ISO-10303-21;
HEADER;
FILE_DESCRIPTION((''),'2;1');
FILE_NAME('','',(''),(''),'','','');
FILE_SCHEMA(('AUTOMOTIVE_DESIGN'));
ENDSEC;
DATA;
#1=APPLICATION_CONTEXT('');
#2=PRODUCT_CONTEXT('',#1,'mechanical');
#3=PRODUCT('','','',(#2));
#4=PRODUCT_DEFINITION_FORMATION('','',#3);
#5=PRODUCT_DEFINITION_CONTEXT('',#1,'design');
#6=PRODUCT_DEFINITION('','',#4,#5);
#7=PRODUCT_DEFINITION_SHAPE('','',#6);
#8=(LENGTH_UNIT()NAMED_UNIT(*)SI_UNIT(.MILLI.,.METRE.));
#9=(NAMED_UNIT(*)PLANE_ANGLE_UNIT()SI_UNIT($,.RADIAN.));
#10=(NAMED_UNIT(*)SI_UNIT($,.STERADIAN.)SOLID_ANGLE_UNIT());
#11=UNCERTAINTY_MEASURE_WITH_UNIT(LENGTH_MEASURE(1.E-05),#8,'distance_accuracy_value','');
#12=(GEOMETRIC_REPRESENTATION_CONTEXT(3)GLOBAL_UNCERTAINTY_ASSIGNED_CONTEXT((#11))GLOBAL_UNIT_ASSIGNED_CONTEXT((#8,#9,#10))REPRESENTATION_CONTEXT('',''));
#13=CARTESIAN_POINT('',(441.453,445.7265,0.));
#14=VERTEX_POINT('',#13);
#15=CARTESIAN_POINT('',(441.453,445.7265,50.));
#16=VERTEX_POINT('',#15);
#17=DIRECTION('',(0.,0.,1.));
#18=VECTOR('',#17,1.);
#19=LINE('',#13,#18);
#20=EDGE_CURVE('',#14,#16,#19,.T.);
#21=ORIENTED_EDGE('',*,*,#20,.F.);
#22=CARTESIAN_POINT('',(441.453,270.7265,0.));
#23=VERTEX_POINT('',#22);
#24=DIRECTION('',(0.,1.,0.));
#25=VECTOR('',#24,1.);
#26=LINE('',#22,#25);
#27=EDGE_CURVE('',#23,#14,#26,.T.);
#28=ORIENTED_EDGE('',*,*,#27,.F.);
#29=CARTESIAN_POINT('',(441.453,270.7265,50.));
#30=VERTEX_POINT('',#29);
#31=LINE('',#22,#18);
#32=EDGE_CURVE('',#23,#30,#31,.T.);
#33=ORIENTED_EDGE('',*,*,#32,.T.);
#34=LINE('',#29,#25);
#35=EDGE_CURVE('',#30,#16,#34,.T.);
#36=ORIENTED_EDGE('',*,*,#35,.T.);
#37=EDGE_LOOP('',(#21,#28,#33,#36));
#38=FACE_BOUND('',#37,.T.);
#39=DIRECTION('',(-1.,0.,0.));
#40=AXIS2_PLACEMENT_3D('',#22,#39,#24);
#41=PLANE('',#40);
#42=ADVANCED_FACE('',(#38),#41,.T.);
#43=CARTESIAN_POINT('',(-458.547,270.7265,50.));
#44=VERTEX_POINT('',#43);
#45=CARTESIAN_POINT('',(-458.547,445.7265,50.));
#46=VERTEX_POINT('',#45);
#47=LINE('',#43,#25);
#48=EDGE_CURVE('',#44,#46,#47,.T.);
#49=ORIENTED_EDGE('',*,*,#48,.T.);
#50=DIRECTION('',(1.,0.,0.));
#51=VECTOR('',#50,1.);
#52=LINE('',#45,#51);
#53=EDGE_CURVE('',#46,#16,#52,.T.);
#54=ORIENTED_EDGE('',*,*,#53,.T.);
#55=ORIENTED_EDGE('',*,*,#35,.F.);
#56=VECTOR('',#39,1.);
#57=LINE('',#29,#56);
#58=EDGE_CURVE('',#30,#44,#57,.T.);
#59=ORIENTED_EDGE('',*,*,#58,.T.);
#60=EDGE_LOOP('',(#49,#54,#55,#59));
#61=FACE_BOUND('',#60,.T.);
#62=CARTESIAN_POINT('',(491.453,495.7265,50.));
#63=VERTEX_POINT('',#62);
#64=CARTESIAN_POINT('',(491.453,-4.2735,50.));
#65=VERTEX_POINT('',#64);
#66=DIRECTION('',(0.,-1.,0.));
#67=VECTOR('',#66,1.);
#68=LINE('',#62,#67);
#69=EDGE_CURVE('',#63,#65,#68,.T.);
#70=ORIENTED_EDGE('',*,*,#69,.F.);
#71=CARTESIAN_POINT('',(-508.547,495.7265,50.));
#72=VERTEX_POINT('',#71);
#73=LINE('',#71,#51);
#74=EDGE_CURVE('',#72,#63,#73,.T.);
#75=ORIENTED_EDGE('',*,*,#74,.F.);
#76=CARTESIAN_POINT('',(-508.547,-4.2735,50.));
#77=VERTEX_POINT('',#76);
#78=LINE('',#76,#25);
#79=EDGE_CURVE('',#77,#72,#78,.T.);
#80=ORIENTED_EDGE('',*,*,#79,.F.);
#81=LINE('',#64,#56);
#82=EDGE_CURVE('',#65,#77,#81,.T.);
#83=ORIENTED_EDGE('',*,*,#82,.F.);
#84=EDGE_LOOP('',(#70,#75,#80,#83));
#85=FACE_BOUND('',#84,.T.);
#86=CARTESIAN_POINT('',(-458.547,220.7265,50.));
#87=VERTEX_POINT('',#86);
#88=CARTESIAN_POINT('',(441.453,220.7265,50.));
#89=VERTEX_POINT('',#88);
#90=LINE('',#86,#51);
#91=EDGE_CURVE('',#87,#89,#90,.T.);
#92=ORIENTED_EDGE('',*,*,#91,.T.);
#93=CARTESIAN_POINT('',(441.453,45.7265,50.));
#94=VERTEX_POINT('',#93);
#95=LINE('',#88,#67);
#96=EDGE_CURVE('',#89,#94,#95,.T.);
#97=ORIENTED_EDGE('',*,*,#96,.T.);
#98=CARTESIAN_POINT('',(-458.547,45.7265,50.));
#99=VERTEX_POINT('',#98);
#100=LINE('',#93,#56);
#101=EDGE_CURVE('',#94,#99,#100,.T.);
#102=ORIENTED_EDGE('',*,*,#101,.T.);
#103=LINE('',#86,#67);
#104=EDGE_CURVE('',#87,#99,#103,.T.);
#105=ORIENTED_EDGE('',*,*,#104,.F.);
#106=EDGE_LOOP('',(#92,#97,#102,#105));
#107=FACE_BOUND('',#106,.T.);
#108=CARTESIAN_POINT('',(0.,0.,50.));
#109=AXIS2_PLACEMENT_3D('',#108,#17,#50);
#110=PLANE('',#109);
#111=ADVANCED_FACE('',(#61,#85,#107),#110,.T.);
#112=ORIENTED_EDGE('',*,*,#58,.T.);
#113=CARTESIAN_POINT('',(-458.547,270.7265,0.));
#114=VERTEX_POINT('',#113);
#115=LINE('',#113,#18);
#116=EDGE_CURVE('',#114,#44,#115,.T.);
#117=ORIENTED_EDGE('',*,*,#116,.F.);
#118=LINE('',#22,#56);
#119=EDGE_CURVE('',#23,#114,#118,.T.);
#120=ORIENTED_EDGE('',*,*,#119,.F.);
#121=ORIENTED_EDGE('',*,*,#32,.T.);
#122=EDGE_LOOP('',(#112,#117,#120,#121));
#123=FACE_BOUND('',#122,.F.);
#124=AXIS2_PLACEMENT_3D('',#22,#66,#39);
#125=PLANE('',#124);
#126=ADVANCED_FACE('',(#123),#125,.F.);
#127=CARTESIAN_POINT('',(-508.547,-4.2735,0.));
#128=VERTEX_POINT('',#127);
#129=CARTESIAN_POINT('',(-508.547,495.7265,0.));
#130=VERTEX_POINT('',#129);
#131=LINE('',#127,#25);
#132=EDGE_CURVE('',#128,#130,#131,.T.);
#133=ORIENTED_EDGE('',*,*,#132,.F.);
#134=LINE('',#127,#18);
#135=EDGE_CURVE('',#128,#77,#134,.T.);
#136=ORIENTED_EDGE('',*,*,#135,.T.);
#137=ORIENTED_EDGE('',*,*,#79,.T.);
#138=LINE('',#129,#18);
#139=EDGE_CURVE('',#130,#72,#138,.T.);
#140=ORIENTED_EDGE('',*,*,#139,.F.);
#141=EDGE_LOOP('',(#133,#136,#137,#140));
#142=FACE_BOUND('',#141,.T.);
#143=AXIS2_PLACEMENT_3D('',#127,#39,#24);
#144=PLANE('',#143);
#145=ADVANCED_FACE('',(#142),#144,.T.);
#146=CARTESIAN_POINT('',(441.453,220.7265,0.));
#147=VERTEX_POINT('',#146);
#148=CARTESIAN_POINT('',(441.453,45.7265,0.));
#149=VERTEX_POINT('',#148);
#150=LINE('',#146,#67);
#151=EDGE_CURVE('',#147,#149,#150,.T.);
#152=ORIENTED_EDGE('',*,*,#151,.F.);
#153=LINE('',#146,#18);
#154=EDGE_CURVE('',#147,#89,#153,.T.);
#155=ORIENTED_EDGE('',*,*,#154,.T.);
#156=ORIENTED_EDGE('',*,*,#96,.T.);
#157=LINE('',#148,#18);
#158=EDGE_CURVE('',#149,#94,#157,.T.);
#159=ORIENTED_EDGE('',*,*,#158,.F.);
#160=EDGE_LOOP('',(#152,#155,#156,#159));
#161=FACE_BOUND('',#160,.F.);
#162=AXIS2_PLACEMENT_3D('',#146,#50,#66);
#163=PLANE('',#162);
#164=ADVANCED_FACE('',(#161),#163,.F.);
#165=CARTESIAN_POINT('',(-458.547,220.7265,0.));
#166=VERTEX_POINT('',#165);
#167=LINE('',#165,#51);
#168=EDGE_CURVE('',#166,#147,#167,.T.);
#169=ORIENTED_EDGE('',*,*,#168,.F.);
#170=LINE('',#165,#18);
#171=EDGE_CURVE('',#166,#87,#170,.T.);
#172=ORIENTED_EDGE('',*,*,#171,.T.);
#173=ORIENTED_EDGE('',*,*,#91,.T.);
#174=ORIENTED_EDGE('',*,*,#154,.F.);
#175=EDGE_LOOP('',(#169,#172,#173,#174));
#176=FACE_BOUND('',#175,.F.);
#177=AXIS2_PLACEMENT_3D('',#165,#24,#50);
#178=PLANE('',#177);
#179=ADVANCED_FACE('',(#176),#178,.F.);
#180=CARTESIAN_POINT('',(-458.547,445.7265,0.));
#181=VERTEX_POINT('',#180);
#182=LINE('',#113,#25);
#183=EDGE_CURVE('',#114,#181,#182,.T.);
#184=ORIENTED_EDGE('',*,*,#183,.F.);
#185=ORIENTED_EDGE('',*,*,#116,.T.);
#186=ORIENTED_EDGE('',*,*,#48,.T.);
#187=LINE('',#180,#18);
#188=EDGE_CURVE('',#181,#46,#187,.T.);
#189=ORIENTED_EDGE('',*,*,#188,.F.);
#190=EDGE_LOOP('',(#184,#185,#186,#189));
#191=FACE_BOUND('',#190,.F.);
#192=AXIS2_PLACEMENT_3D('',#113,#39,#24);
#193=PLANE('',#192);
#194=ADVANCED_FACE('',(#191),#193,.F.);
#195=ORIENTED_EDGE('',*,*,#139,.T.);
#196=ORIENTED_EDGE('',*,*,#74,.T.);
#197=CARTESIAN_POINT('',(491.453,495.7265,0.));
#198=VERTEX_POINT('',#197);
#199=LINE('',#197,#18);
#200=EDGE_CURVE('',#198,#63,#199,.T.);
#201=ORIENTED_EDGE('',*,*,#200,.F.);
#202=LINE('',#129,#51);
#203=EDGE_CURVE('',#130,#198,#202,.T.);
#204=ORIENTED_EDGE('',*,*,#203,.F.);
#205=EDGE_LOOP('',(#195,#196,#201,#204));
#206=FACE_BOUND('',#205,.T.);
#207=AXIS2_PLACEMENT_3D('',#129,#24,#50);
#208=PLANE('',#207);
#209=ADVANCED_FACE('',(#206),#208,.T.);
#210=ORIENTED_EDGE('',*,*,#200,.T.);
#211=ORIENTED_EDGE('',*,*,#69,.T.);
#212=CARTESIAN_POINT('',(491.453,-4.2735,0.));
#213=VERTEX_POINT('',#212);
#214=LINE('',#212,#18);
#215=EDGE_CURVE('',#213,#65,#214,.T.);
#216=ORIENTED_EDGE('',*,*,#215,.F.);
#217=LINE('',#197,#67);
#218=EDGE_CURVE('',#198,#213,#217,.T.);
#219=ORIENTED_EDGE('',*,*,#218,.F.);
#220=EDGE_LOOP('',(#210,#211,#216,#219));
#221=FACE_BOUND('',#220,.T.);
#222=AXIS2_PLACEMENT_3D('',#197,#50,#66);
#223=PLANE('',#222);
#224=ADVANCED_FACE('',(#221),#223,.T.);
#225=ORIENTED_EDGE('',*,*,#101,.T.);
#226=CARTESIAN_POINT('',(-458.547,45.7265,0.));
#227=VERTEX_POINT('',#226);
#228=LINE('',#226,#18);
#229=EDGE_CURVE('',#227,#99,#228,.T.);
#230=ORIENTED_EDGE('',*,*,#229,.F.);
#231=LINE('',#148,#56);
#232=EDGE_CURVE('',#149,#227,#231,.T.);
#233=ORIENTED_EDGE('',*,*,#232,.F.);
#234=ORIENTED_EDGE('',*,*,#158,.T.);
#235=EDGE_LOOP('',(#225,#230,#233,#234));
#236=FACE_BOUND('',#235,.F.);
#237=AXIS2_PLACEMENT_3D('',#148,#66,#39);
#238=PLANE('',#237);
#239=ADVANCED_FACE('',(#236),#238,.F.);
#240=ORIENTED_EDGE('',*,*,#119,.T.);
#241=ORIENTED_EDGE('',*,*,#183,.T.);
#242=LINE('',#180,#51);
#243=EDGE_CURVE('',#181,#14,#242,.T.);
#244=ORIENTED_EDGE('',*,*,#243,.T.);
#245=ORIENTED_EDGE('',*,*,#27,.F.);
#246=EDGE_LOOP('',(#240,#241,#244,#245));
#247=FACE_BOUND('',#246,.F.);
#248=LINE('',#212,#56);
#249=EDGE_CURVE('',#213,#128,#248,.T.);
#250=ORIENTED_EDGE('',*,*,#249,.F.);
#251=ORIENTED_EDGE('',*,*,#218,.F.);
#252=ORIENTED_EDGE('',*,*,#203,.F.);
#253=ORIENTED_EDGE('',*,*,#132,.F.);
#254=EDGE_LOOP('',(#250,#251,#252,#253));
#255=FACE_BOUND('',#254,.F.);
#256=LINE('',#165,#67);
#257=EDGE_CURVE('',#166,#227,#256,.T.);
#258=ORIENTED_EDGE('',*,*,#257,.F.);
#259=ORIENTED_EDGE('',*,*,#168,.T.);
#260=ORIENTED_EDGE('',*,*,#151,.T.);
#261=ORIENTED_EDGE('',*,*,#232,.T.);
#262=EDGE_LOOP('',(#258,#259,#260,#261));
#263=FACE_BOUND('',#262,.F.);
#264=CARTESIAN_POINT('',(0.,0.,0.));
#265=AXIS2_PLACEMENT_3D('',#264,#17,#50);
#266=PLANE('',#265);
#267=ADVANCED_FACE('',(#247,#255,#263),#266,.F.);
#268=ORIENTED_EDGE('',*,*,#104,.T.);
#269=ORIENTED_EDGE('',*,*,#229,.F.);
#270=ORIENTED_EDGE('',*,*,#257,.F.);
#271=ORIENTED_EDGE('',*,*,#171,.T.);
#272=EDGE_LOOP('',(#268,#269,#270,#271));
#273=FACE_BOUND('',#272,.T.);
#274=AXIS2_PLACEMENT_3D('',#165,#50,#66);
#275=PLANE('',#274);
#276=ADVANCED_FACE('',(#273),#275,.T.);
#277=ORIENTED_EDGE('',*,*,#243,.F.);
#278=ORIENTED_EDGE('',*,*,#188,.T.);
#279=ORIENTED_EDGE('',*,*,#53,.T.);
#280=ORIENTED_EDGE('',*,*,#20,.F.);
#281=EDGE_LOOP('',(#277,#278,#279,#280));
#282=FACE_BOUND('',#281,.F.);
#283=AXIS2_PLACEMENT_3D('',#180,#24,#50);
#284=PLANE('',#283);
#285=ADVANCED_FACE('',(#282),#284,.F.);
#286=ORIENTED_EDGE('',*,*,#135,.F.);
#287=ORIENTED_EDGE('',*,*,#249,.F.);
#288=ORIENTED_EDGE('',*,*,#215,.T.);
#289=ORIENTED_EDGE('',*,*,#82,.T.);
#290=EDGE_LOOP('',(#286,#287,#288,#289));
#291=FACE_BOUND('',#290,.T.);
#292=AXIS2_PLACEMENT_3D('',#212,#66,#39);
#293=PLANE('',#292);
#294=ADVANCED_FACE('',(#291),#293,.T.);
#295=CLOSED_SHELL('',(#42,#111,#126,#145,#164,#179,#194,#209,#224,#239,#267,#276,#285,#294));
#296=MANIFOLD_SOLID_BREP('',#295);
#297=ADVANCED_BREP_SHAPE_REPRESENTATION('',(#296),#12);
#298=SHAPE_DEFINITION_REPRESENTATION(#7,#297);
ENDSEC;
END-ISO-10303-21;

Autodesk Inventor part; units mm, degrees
ref_plane "YZ Plane" through (0, 0, 0) normal (1, 0, 0) x (0, 1, 0)
ref_plane "XZ Plane" through (0, 0, 0) normal (0, 1, 0) x (-1, 0, 0)
ref_plane "XY Plane" through (0, 0, 0) normal (0, 0, 1) x (1, 0, 0)
sketch "Boceto1" plane through (0, 0, 0) normal (0, 0, 1) x (1, 0, 0)
  line L0 (-508.547, 495.7265) -> (491.453, 495.7265)
  line L1 (491.453, 495.7265) -> (491.453, -4.2735)
  line L2 (491.453, -4.2735) -> (-508.547, -4.2735)
  line L3 (-508.547, -4.2735) -> (-508.547, 495.7265)
  line L4 (-458.547, 445.7265) -> (441.453, 445.7265)
  line L5 (441.453, 45.7265) -> (-458.547, 45.7265)
  line L6 (441.453, 270.7265) -> (-458.547, 270.7265)
  line L7 (-458.547, 220.7265) -> (441.453, 220.7265)
  line L8 (-458.547, 270.7265) -> (-458.547, 445.7265)
  line L9 (-458.547, 220.7265) -> (-458.547, 45.7265)
  line L10 (441.453, 270.7265) -> (441.453, 445.7265)
  line L11 (441.453, 220.7265) -> (441.453, 45.7265)
  point P0 (0, 0)
  dimension "d0" = 1000
  dimension "d1" = 500
  dimension "d2" = 900
  dimension "d4" = 400
  dimension "d5" = 50
  dimension "d17" = 175
  dimension "d18" = 175
  dimension "d19" = 175
  dimension "d20" = 175
extrude "Extrusión1" add sketch "Boceto1" along normal blind 50
properties part number "Base_mesa" material "Hierro, fundido"
